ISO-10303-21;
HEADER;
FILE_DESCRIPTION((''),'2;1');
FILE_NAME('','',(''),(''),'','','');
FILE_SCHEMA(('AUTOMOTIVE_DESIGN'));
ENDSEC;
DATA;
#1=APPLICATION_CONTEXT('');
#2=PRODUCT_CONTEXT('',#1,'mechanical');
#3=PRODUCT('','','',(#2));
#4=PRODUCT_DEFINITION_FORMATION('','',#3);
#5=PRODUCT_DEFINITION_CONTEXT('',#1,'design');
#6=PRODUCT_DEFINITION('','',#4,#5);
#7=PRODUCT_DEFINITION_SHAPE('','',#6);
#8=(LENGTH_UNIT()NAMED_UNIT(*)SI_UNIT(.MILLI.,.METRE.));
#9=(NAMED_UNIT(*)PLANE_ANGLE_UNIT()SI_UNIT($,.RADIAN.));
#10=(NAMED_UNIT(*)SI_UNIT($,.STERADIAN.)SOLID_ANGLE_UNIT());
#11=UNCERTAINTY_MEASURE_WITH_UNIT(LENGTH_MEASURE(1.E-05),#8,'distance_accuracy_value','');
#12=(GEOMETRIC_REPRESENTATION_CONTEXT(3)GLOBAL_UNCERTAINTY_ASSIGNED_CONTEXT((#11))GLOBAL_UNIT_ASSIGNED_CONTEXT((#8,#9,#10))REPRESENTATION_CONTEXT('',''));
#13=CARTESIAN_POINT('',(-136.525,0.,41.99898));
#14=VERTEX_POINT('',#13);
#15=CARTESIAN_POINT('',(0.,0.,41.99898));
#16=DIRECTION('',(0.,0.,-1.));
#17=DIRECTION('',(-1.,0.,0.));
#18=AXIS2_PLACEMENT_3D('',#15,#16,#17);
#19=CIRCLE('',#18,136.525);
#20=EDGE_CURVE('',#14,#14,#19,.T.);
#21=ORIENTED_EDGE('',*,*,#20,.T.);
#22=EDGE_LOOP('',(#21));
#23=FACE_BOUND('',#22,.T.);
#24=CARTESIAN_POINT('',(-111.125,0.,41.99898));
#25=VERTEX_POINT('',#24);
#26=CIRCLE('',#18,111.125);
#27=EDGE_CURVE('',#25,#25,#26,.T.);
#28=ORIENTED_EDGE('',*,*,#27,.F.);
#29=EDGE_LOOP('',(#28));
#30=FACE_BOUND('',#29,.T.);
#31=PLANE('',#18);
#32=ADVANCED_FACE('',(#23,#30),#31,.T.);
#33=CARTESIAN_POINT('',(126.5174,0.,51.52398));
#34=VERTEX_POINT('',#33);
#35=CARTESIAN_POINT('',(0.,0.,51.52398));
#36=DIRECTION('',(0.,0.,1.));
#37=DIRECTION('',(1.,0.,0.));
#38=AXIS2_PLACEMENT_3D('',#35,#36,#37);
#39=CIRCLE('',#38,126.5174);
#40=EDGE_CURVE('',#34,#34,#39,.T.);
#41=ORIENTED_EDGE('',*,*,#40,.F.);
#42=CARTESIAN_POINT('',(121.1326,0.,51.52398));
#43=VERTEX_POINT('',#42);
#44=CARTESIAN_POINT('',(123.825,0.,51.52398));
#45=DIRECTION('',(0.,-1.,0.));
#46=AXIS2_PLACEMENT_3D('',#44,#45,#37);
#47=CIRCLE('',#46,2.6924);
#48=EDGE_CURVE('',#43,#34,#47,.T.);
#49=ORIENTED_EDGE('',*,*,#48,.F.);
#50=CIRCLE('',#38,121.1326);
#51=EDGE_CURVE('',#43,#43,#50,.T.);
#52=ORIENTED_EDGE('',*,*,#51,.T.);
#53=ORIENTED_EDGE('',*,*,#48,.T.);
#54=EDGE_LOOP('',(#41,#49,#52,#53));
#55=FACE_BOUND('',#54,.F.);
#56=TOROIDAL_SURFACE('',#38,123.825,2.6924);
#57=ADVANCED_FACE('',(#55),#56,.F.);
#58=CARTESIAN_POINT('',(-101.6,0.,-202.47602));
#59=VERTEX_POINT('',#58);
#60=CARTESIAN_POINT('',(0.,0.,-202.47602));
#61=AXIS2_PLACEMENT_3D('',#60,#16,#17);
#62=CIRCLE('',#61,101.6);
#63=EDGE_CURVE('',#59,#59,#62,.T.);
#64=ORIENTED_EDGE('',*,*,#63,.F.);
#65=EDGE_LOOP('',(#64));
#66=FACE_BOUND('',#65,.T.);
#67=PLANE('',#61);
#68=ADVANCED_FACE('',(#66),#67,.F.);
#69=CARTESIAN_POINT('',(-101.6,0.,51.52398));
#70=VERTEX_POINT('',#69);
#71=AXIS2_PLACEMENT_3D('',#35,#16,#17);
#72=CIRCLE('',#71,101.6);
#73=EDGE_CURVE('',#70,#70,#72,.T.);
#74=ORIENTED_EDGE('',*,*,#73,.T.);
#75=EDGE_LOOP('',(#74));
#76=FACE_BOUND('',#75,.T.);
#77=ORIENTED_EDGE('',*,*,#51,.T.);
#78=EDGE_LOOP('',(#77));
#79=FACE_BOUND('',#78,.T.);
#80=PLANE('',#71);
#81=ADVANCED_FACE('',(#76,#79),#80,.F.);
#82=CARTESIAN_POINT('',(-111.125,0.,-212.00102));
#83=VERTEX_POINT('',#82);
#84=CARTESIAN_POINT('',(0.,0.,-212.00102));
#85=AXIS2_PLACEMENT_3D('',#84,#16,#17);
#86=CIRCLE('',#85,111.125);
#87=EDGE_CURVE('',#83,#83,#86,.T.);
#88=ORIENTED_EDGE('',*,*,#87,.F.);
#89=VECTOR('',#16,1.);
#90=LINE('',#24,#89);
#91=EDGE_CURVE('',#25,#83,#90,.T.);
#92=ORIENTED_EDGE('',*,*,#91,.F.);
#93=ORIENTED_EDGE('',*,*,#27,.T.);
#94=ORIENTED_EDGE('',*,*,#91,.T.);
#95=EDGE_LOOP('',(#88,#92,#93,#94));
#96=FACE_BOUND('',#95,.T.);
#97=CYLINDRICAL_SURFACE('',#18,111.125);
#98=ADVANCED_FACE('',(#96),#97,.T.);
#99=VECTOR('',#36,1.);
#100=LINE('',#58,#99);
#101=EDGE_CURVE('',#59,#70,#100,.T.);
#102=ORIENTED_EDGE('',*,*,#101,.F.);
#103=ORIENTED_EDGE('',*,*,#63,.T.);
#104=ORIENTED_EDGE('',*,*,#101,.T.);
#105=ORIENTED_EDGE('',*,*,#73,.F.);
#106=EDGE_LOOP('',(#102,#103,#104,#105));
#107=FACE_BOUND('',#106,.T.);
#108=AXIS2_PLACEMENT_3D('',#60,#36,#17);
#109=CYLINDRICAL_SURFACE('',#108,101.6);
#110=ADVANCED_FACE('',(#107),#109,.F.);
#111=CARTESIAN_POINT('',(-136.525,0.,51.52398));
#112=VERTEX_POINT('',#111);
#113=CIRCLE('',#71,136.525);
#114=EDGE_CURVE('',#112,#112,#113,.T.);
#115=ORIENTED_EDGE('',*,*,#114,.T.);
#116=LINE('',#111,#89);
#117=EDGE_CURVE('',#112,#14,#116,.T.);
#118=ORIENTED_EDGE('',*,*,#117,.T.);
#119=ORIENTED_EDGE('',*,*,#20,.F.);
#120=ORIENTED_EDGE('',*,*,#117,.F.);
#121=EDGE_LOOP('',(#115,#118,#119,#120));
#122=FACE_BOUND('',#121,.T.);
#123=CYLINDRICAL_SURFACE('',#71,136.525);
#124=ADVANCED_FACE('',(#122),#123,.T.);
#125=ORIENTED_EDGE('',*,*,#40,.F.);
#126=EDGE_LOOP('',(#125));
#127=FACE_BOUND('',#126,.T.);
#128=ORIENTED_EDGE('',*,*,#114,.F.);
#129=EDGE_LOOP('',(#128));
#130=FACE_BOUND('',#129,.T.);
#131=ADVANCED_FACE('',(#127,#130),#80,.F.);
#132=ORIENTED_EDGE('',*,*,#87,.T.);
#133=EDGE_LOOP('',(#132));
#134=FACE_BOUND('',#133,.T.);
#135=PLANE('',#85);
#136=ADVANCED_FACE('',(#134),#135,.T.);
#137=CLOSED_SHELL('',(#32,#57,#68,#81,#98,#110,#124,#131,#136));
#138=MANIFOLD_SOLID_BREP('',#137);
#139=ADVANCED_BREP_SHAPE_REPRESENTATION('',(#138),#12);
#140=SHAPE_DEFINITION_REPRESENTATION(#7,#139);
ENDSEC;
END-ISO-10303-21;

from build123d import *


with BuildPart() as f1:
    # F0 (on Front) → F1 (revolve)
    with BuildSketch(Plane.XZ):
        Polygon((0, -212.00102), (0, -202.47602), (-101.6, -202.47602), (-101.6, 51.52398), (-136.525, 51.52398), (-136.525, 41.99898), (-111.125, 41.99898), (-111.125, -212.00102), align=None)
    revolve(axis=Axis((0, 0, -78.97687), (0, 0, -1)))

    # F4: sweep along a path in F2
    with BuildLine(Plane.XY.offset(51.52398)) as f4_path:
        CenterArc((0, 0), 123.825, 0, 360)
    # F3 (on Front) → F4 (sweep, cut)
    with BuildSketch(Plane.XZ):
        with BuildLine():
            Line((-121.1326, 51.52398), (-126.5174, 51.52398))
            ThreePointArc((-126.5174, 51.52398), (-123.825, 48.83158), (-121.1326, 51.52398))
        make_face()
    sweep(path=f4_path.line, mode=Mode.SUBTRACT)


solid = f1.part
